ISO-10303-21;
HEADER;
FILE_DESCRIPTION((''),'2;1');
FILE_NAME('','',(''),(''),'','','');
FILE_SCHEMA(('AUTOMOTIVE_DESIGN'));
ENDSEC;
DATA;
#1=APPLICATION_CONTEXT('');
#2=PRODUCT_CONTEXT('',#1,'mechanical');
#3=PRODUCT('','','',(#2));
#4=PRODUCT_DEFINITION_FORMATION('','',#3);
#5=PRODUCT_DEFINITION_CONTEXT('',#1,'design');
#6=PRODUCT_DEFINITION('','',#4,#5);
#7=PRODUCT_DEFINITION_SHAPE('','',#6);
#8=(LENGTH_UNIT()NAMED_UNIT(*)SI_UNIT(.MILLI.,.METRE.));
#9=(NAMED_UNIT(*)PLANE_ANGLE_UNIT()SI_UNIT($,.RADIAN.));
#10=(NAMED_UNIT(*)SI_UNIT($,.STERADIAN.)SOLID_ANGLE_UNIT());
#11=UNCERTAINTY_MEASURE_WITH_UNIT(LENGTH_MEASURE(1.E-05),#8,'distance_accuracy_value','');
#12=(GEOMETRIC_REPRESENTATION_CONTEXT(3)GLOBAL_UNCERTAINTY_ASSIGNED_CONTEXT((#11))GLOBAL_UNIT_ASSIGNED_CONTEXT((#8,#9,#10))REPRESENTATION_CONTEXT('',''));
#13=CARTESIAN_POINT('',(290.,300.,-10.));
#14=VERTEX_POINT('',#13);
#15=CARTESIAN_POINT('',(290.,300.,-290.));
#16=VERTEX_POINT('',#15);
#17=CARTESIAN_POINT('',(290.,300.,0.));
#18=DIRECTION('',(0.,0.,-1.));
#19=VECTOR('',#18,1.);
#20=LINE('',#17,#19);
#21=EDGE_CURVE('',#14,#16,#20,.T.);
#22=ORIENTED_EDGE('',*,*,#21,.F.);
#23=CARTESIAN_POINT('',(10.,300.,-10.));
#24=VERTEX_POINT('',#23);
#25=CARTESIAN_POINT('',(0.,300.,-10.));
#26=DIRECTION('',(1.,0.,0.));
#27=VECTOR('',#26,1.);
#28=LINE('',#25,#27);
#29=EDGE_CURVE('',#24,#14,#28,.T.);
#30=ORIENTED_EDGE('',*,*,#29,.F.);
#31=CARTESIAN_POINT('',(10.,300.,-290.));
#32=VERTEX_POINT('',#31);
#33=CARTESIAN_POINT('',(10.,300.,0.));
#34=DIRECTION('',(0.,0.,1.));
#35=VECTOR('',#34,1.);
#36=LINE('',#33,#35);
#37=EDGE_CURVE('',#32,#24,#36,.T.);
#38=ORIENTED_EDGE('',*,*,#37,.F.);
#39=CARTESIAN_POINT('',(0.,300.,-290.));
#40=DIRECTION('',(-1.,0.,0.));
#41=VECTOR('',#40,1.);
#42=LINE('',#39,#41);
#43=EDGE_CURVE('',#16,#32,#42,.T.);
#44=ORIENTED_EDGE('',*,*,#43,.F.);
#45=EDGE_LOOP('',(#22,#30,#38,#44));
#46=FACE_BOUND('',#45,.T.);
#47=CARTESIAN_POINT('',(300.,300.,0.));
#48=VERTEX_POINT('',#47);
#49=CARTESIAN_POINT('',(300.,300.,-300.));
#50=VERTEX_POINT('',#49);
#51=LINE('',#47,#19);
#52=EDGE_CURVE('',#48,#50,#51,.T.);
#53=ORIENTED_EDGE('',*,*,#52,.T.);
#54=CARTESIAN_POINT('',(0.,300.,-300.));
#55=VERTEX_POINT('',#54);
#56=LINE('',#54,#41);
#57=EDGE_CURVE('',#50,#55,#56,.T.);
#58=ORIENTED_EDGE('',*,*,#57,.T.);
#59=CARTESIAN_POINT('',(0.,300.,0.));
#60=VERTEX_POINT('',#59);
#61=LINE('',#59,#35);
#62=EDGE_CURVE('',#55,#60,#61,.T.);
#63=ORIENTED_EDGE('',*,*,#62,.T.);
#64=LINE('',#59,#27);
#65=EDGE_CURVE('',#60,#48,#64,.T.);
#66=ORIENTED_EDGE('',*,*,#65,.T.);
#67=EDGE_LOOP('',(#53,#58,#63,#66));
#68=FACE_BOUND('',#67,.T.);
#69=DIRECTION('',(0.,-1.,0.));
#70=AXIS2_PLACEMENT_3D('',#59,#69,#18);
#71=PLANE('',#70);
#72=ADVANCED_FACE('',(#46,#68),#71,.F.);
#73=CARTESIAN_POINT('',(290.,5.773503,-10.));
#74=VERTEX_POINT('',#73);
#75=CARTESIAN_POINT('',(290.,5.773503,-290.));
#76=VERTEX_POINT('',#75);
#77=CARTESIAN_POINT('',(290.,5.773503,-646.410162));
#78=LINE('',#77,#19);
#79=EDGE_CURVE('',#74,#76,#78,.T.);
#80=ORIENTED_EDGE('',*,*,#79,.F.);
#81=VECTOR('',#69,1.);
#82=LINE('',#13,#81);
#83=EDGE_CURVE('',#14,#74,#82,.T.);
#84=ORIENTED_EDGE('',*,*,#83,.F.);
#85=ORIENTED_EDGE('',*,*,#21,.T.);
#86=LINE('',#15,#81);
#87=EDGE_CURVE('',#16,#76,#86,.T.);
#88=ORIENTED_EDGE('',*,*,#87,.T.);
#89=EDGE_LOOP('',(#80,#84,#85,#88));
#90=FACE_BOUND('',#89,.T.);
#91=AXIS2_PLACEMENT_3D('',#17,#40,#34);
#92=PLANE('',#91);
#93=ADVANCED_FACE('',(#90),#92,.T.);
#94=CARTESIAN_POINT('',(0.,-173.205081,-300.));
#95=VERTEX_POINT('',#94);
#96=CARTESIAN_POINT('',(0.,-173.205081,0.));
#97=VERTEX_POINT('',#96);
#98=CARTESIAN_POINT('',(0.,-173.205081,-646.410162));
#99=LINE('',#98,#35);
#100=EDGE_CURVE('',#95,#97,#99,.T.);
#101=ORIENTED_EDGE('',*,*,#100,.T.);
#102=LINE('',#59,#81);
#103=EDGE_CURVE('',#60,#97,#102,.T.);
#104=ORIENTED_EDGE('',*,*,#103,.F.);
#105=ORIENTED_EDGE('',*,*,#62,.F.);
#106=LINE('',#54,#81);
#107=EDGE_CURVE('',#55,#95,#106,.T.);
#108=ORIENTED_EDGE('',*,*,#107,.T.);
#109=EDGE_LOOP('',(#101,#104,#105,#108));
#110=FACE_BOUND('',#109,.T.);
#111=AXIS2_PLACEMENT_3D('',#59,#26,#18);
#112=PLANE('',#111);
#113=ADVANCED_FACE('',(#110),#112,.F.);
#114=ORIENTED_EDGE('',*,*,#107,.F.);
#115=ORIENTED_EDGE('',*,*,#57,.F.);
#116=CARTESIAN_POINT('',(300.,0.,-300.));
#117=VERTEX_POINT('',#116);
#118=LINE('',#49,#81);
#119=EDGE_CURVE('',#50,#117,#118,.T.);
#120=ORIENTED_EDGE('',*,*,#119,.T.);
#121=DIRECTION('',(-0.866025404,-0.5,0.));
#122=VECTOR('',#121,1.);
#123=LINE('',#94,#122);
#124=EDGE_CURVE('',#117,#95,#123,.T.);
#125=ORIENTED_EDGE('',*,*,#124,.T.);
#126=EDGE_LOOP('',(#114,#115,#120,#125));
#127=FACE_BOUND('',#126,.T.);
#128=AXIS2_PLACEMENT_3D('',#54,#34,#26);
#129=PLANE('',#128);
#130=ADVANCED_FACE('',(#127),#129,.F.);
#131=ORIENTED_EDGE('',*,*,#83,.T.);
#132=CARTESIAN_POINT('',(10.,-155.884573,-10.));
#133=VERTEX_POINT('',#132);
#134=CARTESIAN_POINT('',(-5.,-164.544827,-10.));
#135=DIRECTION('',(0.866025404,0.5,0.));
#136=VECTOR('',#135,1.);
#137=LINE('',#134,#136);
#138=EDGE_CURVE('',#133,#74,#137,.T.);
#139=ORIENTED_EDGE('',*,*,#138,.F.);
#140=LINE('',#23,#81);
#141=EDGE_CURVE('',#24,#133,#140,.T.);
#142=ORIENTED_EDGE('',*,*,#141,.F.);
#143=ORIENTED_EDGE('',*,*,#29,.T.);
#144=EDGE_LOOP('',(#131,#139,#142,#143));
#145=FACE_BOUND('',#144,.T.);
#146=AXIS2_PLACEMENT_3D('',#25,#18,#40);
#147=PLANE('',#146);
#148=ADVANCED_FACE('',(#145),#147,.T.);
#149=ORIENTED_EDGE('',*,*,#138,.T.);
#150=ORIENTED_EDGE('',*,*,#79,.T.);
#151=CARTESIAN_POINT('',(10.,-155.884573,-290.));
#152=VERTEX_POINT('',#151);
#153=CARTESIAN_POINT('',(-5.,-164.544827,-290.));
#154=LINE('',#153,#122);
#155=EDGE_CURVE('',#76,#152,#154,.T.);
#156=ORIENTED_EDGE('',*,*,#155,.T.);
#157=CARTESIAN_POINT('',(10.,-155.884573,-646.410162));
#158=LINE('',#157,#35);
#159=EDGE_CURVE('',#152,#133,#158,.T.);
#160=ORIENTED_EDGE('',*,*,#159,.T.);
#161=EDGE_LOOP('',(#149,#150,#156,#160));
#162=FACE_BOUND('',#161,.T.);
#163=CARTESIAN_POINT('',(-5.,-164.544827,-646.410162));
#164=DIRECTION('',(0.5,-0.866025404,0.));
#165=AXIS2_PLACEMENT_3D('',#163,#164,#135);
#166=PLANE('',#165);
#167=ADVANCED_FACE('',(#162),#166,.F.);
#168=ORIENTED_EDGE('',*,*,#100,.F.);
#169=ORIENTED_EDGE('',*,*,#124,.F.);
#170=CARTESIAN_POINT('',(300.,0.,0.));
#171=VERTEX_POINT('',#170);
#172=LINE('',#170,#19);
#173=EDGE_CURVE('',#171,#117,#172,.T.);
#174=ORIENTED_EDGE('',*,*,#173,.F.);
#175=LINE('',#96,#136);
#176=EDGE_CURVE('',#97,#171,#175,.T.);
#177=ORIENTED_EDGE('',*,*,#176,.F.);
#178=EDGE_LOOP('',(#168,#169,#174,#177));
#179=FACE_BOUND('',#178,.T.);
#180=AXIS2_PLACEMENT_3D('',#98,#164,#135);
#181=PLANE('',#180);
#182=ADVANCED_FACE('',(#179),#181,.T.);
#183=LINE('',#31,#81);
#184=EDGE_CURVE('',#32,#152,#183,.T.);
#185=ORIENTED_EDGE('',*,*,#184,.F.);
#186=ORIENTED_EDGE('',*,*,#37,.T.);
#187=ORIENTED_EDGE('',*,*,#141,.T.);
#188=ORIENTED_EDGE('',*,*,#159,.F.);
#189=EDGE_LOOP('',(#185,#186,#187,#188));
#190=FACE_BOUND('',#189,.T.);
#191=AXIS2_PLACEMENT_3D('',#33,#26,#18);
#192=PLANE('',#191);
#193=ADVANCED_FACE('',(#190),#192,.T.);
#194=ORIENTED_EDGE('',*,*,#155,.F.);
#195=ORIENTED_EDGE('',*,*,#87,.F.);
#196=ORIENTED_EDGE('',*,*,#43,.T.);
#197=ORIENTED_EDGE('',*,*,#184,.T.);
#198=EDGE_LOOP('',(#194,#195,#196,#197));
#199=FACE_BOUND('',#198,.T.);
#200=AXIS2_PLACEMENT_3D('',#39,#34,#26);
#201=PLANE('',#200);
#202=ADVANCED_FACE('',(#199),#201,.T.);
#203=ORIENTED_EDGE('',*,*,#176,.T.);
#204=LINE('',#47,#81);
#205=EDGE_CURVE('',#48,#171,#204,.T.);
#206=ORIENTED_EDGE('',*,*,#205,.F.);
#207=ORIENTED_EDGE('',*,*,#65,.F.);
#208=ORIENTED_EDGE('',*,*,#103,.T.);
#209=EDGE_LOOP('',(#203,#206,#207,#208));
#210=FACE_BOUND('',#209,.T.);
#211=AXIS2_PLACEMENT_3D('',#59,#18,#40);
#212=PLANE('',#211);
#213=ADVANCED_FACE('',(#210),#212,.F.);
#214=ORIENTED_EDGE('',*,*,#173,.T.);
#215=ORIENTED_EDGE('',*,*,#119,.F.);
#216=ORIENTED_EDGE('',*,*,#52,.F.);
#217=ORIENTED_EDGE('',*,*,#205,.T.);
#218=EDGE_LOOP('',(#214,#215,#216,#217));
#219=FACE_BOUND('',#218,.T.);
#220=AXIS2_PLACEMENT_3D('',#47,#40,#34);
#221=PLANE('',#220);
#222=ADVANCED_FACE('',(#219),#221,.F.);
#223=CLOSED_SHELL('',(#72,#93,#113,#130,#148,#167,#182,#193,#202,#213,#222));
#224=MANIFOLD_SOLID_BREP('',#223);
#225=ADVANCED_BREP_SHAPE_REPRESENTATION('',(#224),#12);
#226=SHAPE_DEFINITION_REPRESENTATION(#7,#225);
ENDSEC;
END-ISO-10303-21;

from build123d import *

# Parameters (mm, degrees)
CROQUIS1_W              = 300
CROQUIS1_H              = 300
SALIENTE_EXTRUIR1_DEPTH = 300
SALIENTE_EXTRUIR2_DEPTH = 300
VACIADO4_T              = -10


with BuildPart() as part:
    # Croquis1 → Saliente-Extruir1 (new body)
    with BuildSketch(Plane(origin=(0, 0, 0), x_dir=(1, 0, 0), z_dir=(0, 1, 0))):
        with Locations((150, 150)):
            Rectangle(CROQUIS1_W, CROQUIS1_H)
    extrude(amount=SALIENTE_EXTRUIR1_DEPTH)

    # Croquis2 → Saliente-Extruir2 (add)
    with BuildSketch(Plane.XY):
        Polygon((0, 0), (0, -173.205080757), (300, 0), align=None)
    extrude(amount=-SALIENTE_EXTRUIR2_DEPTH)

    # Vaciado4
    vaciado4_openings = [part.faces().sort_by_distance(p)[0] for p in [
        (150, 300, -150),
    ]]
    offset(amount=VACIADO4_T, openings=vaciado4_openings, kind=Kind.INTERSECTION)


solid = part.part
